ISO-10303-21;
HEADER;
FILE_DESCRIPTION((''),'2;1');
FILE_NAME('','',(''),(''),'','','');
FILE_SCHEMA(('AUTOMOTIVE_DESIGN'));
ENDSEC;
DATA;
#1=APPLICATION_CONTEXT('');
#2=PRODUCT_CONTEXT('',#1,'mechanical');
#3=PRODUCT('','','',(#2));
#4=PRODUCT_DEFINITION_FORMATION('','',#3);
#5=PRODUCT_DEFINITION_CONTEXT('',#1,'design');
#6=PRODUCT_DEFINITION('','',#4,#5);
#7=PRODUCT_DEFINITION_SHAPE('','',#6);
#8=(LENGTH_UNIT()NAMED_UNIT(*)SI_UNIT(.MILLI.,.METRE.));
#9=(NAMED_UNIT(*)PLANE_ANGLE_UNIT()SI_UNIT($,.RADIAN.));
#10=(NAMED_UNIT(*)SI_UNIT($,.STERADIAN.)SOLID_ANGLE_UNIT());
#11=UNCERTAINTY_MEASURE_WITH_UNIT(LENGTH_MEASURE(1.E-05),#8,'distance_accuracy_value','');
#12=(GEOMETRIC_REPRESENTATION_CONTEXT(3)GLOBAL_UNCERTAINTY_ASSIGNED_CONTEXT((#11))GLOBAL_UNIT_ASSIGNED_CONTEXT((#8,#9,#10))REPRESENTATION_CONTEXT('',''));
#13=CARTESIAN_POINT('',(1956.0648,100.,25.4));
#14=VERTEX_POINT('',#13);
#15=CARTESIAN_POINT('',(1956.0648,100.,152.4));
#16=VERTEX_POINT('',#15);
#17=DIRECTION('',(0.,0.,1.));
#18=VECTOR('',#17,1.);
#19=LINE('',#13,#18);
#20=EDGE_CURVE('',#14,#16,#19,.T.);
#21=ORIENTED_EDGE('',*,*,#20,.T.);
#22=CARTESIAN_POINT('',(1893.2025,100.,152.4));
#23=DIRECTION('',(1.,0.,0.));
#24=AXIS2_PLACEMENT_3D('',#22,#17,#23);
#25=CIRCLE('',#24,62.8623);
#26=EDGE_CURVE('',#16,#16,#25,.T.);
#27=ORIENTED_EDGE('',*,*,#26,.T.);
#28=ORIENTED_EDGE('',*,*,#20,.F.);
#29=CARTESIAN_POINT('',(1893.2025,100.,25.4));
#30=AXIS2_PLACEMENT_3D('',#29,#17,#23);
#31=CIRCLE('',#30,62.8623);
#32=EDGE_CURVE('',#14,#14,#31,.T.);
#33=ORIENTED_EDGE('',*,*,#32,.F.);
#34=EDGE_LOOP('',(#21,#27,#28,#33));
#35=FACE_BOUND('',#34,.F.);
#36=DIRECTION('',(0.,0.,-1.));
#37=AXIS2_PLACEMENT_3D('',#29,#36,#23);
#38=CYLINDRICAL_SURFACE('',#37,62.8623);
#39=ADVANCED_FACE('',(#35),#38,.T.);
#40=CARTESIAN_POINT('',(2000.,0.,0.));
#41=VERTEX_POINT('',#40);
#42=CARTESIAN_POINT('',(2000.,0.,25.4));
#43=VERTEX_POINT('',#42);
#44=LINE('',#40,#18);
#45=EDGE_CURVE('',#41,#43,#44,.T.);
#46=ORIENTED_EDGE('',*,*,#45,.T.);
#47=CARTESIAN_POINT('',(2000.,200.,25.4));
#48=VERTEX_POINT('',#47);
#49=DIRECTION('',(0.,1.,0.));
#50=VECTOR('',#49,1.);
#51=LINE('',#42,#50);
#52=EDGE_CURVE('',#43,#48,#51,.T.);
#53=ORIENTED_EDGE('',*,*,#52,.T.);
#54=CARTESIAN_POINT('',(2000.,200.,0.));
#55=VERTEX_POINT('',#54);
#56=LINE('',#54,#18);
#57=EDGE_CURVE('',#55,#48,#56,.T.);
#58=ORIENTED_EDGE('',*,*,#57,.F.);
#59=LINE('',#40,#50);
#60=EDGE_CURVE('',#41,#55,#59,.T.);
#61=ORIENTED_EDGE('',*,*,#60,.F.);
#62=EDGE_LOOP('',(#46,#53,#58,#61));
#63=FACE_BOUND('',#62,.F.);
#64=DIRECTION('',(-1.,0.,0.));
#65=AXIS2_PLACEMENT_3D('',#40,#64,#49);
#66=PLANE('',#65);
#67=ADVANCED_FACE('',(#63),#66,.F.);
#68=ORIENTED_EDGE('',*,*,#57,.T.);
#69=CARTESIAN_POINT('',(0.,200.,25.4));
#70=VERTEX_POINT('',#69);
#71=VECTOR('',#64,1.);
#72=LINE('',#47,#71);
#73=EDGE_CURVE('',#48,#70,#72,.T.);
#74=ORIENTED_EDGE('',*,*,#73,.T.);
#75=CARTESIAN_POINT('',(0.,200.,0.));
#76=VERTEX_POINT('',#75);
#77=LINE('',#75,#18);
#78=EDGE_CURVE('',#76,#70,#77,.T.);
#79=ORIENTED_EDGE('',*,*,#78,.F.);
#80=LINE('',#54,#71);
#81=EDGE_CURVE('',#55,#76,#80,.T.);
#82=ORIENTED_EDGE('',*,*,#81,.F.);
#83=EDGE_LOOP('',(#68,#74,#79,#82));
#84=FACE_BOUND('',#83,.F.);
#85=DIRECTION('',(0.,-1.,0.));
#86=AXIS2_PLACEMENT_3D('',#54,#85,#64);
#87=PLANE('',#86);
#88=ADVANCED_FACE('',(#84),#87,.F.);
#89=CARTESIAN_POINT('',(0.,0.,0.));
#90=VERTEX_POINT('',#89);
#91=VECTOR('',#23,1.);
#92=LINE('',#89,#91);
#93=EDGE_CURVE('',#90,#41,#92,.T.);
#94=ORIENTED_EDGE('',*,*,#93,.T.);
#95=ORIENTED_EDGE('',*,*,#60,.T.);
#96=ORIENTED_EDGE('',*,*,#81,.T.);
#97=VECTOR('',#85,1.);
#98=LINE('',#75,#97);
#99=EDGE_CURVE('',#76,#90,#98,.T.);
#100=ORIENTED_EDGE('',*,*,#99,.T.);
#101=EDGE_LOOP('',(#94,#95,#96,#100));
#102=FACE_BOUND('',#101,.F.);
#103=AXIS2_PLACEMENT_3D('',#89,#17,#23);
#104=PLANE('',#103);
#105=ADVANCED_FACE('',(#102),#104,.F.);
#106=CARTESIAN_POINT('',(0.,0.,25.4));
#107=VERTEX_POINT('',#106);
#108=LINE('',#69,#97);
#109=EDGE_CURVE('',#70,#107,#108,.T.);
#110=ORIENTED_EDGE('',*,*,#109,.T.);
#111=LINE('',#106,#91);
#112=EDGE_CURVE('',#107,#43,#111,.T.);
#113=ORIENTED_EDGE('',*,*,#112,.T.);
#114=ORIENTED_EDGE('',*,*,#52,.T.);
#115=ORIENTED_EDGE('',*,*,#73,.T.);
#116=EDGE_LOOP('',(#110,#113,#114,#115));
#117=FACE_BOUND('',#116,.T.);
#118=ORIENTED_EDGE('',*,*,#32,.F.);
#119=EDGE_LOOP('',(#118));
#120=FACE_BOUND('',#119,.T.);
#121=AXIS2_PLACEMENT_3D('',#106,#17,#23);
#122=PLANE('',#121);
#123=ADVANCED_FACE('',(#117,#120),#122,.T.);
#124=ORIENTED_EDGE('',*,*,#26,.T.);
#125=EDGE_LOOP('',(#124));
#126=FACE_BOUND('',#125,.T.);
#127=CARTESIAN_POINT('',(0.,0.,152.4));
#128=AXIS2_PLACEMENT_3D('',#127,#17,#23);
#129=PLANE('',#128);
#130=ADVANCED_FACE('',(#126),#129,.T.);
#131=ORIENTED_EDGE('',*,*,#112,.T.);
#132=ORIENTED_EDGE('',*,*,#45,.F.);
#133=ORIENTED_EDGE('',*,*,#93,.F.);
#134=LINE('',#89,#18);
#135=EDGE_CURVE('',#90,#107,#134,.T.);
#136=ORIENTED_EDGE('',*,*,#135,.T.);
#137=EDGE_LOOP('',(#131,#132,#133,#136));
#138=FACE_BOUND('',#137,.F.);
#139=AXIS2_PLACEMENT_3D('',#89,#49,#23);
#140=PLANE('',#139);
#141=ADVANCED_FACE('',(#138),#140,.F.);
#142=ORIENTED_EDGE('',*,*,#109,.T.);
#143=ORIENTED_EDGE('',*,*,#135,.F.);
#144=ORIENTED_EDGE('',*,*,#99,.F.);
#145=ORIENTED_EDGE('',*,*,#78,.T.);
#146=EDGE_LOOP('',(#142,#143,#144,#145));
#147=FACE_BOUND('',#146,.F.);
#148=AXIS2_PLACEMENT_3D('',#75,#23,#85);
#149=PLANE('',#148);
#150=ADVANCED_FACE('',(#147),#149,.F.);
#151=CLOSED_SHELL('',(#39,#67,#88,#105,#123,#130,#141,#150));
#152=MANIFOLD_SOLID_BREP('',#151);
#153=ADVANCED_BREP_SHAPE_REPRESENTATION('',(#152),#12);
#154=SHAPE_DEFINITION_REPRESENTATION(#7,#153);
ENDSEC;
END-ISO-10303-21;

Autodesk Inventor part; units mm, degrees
ref_plane "YZ Plane" through (0, 0, 0) normal (1, 0, 0) x (0, 1, 0)
ref_plane "XZ Plane" through (0, 0, 0) normal (0, 1, 0) x (-1, 0, 0)
ref_plane "XY Plane" through (0, 0, 0) normal (0, 0, 1) x (1, 0, 0)
sketch "Sketch1" plane through (0, 0, 0) normal (0, 0, 1) x (1, 0, 0)
  line L0 (0, 0) -> (2000, 0)
  line L1 (2000, 0) -> (2000, 200)
  line L2 (2000, 200) -> (0, 200)
  line L3 (0, 200) -> (0, 0)
  dimension "d0" = 2000
  dimension "d1" = 200
extrude "Extrusion1" add sketch "Sketch1" along normal blind 25.4
sketch "Sketch2" plane through (0, 0, 25.4) normal (0, 0, 1) x (1, 0, 0)
  circle A0 centre (1893.2025, 100) radius 62.8623
  point P0 (0, 0)
  dimension "d4" = 125.7246
  dimension "d5" = 1895.8417
extrude "Extrusion2" add sketch "Sketch2" along normal blind 127
properties part number "Belt"
